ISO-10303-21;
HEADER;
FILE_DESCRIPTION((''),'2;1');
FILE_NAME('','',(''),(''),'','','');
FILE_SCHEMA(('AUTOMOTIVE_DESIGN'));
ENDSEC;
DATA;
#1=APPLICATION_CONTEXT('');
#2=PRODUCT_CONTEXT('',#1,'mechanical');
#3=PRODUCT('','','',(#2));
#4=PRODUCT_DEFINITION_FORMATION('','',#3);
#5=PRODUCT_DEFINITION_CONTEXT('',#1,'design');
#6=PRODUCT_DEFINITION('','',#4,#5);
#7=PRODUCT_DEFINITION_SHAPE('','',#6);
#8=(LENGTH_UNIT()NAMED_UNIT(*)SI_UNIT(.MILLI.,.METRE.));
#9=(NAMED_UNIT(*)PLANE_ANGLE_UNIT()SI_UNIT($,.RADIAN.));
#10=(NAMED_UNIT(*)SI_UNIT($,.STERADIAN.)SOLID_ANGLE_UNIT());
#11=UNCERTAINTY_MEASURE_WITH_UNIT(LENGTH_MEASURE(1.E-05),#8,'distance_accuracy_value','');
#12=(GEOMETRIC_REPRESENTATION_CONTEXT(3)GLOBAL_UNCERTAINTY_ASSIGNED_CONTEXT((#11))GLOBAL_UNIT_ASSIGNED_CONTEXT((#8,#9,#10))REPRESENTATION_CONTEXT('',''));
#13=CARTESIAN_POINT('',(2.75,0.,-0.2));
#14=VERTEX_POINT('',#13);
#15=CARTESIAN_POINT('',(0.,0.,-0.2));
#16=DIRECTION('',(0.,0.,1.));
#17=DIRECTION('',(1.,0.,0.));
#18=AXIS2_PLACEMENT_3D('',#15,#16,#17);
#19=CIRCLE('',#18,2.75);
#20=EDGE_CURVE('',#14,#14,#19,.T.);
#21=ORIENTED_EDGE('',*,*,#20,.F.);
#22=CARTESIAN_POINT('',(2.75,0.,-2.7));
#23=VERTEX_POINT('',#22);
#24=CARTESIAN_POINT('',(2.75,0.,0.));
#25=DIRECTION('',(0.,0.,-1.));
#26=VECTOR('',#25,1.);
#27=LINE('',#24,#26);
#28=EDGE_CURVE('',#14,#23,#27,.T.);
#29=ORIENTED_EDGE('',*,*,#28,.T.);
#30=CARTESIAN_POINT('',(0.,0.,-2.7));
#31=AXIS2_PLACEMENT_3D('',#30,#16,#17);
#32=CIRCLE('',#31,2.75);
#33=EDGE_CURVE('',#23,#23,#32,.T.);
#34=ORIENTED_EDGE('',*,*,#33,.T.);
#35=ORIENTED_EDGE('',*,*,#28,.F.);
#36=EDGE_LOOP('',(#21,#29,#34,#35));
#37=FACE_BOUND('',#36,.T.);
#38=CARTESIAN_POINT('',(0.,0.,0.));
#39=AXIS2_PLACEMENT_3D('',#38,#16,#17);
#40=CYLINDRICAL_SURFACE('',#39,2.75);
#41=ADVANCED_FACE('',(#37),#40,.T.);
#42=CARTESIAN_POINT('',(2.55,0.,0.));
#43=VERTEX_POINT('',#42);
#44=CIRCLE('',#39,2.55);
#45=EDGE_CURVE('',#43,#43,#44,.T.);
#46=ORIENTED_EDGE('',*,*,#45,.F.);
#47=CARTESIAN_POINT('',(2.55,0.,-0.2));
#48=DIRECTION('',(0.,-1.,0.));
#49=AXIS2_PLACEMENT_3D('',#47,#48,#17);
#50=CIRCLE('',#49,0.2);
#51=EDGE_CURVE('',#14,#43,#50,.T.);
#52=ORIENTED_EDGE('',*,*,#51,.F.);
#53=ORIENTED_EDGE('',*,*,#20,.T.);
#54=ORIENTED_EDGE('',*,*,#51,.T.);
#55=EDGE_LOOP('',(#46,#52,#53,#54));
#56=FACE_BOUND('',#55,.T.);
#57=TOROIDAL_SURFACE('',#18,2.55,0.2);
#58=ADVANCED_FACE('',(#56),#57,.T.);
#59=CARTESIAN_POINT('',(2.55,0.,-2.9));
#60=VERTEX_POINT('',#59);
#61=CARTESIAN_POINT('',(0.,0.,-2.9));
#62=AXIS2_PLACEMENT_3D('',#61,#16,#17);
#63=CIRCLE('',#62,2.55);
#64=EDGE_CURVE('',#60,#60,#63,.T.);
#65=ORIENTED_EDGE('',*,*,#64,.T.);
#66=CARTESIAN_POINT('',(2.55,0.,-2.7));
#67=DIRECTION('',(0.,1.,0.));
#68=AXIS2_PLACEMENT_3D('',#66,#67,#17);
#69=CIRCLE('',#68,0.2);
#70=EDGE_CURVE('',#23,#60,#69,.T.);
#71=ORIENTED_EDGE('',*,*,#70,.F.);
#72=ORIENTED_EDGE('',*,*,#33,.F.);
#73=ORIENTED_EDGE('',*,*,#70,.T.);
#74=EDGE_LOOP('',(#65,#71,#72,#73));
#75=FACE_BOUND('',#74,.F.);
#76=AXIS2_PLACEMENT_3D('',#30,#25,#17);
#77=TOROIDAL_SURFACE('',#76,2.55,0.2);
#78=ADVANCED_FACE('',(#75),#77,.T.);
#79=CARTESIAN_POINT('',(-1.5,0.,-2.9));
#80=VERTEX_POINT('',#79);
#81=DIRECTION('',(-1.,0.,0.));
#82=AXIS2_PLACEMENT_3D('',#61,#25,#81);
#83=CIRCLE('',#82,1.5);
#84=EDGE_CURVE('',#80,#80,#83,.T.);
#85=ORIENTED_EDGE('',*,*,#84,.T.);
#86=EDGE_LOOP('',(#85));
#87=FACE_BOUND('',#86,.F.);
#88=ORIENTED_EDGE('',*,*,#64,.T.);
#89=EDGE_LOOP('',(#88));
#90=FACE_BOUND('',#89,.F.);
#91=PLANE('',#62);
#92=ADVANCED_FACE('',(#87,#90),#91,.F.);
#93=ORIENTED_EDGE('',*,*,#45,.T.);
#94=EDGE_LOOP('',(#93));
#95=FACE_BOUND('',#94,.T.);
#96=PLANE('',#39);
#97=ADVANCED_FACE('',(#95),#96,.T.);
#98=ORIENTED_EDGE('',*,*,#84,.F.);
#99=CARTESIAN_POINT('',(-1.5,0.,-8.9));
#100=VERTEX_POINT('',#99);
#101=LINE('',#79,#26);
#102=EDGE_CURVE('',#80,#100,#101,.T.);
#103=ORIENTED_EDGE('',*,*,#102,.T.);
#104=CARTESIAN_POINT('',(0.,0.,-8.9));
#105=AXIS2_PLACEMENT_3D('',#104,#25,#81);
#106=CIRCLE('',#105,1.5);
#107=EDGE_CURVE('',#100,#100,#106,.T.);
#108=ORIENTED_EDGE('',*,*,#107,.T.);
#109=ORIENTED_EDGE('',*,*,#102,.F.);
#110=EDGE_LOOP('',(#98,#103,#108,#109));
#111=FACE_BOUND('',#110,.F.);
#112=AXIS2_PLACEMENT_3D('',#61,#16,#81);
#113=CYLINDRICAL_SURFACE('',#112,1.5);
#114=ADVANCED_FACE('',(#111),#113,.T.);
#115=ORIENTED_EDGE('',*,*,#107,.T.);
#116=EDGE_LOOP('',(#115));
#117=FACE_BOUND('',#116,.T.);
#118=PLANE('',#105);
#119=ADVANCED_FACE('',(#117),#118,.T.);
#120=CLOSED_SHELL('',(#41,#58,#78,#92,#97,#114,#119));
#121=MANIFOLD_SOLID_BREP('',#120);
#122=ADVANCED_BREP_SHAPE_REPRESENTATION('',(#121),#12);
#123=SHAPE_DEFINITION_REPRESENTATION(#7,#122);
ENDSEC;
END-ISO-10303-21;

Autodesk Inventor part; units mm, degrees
ref_plane "YZ Plane" through (0, 0, 0) normal (1, 0, 0) x (0, 1, 0)
ref_plane "XZ Plane" through (0, 0, 0) normal (0, 1, 0) x (-1, 0, 0)
ref_plane "XY Plane" through (0, 0, 0) normal (0, 0, 1) x (1, 0, 0)
sketch "スケッチ1" plane through (0, 0, 0) normal (0, 0, 1) x (1, 0, 0)
  circle A0 centre (0, 0) radius 2.75
  dimension "d0" = 5.5
extrude "押し出し1" add sketch "スケッチ1" against normal blind 2.9
sketch "スケッチ2" plane through (0, 0, -2.9) normal (0, 0, -1) x (-1, 0, 0)
  circle A0 centre (0, 0) radius 1.5
  dimension "d3" = 3
extrude "押し出し2" add sketch "スケッチ2" along normal blind 6
thread "ねじ1" size "M3x0.5" class "6g" standard "ANSI Metric M Profile" full length
fillet "フィレット1" radius 0.2 2 edges at (-2.75, 0, 0) (-2.75, 0, -2.9)
properties part number "M3×6ネジ" material "ステンレス鋼"
